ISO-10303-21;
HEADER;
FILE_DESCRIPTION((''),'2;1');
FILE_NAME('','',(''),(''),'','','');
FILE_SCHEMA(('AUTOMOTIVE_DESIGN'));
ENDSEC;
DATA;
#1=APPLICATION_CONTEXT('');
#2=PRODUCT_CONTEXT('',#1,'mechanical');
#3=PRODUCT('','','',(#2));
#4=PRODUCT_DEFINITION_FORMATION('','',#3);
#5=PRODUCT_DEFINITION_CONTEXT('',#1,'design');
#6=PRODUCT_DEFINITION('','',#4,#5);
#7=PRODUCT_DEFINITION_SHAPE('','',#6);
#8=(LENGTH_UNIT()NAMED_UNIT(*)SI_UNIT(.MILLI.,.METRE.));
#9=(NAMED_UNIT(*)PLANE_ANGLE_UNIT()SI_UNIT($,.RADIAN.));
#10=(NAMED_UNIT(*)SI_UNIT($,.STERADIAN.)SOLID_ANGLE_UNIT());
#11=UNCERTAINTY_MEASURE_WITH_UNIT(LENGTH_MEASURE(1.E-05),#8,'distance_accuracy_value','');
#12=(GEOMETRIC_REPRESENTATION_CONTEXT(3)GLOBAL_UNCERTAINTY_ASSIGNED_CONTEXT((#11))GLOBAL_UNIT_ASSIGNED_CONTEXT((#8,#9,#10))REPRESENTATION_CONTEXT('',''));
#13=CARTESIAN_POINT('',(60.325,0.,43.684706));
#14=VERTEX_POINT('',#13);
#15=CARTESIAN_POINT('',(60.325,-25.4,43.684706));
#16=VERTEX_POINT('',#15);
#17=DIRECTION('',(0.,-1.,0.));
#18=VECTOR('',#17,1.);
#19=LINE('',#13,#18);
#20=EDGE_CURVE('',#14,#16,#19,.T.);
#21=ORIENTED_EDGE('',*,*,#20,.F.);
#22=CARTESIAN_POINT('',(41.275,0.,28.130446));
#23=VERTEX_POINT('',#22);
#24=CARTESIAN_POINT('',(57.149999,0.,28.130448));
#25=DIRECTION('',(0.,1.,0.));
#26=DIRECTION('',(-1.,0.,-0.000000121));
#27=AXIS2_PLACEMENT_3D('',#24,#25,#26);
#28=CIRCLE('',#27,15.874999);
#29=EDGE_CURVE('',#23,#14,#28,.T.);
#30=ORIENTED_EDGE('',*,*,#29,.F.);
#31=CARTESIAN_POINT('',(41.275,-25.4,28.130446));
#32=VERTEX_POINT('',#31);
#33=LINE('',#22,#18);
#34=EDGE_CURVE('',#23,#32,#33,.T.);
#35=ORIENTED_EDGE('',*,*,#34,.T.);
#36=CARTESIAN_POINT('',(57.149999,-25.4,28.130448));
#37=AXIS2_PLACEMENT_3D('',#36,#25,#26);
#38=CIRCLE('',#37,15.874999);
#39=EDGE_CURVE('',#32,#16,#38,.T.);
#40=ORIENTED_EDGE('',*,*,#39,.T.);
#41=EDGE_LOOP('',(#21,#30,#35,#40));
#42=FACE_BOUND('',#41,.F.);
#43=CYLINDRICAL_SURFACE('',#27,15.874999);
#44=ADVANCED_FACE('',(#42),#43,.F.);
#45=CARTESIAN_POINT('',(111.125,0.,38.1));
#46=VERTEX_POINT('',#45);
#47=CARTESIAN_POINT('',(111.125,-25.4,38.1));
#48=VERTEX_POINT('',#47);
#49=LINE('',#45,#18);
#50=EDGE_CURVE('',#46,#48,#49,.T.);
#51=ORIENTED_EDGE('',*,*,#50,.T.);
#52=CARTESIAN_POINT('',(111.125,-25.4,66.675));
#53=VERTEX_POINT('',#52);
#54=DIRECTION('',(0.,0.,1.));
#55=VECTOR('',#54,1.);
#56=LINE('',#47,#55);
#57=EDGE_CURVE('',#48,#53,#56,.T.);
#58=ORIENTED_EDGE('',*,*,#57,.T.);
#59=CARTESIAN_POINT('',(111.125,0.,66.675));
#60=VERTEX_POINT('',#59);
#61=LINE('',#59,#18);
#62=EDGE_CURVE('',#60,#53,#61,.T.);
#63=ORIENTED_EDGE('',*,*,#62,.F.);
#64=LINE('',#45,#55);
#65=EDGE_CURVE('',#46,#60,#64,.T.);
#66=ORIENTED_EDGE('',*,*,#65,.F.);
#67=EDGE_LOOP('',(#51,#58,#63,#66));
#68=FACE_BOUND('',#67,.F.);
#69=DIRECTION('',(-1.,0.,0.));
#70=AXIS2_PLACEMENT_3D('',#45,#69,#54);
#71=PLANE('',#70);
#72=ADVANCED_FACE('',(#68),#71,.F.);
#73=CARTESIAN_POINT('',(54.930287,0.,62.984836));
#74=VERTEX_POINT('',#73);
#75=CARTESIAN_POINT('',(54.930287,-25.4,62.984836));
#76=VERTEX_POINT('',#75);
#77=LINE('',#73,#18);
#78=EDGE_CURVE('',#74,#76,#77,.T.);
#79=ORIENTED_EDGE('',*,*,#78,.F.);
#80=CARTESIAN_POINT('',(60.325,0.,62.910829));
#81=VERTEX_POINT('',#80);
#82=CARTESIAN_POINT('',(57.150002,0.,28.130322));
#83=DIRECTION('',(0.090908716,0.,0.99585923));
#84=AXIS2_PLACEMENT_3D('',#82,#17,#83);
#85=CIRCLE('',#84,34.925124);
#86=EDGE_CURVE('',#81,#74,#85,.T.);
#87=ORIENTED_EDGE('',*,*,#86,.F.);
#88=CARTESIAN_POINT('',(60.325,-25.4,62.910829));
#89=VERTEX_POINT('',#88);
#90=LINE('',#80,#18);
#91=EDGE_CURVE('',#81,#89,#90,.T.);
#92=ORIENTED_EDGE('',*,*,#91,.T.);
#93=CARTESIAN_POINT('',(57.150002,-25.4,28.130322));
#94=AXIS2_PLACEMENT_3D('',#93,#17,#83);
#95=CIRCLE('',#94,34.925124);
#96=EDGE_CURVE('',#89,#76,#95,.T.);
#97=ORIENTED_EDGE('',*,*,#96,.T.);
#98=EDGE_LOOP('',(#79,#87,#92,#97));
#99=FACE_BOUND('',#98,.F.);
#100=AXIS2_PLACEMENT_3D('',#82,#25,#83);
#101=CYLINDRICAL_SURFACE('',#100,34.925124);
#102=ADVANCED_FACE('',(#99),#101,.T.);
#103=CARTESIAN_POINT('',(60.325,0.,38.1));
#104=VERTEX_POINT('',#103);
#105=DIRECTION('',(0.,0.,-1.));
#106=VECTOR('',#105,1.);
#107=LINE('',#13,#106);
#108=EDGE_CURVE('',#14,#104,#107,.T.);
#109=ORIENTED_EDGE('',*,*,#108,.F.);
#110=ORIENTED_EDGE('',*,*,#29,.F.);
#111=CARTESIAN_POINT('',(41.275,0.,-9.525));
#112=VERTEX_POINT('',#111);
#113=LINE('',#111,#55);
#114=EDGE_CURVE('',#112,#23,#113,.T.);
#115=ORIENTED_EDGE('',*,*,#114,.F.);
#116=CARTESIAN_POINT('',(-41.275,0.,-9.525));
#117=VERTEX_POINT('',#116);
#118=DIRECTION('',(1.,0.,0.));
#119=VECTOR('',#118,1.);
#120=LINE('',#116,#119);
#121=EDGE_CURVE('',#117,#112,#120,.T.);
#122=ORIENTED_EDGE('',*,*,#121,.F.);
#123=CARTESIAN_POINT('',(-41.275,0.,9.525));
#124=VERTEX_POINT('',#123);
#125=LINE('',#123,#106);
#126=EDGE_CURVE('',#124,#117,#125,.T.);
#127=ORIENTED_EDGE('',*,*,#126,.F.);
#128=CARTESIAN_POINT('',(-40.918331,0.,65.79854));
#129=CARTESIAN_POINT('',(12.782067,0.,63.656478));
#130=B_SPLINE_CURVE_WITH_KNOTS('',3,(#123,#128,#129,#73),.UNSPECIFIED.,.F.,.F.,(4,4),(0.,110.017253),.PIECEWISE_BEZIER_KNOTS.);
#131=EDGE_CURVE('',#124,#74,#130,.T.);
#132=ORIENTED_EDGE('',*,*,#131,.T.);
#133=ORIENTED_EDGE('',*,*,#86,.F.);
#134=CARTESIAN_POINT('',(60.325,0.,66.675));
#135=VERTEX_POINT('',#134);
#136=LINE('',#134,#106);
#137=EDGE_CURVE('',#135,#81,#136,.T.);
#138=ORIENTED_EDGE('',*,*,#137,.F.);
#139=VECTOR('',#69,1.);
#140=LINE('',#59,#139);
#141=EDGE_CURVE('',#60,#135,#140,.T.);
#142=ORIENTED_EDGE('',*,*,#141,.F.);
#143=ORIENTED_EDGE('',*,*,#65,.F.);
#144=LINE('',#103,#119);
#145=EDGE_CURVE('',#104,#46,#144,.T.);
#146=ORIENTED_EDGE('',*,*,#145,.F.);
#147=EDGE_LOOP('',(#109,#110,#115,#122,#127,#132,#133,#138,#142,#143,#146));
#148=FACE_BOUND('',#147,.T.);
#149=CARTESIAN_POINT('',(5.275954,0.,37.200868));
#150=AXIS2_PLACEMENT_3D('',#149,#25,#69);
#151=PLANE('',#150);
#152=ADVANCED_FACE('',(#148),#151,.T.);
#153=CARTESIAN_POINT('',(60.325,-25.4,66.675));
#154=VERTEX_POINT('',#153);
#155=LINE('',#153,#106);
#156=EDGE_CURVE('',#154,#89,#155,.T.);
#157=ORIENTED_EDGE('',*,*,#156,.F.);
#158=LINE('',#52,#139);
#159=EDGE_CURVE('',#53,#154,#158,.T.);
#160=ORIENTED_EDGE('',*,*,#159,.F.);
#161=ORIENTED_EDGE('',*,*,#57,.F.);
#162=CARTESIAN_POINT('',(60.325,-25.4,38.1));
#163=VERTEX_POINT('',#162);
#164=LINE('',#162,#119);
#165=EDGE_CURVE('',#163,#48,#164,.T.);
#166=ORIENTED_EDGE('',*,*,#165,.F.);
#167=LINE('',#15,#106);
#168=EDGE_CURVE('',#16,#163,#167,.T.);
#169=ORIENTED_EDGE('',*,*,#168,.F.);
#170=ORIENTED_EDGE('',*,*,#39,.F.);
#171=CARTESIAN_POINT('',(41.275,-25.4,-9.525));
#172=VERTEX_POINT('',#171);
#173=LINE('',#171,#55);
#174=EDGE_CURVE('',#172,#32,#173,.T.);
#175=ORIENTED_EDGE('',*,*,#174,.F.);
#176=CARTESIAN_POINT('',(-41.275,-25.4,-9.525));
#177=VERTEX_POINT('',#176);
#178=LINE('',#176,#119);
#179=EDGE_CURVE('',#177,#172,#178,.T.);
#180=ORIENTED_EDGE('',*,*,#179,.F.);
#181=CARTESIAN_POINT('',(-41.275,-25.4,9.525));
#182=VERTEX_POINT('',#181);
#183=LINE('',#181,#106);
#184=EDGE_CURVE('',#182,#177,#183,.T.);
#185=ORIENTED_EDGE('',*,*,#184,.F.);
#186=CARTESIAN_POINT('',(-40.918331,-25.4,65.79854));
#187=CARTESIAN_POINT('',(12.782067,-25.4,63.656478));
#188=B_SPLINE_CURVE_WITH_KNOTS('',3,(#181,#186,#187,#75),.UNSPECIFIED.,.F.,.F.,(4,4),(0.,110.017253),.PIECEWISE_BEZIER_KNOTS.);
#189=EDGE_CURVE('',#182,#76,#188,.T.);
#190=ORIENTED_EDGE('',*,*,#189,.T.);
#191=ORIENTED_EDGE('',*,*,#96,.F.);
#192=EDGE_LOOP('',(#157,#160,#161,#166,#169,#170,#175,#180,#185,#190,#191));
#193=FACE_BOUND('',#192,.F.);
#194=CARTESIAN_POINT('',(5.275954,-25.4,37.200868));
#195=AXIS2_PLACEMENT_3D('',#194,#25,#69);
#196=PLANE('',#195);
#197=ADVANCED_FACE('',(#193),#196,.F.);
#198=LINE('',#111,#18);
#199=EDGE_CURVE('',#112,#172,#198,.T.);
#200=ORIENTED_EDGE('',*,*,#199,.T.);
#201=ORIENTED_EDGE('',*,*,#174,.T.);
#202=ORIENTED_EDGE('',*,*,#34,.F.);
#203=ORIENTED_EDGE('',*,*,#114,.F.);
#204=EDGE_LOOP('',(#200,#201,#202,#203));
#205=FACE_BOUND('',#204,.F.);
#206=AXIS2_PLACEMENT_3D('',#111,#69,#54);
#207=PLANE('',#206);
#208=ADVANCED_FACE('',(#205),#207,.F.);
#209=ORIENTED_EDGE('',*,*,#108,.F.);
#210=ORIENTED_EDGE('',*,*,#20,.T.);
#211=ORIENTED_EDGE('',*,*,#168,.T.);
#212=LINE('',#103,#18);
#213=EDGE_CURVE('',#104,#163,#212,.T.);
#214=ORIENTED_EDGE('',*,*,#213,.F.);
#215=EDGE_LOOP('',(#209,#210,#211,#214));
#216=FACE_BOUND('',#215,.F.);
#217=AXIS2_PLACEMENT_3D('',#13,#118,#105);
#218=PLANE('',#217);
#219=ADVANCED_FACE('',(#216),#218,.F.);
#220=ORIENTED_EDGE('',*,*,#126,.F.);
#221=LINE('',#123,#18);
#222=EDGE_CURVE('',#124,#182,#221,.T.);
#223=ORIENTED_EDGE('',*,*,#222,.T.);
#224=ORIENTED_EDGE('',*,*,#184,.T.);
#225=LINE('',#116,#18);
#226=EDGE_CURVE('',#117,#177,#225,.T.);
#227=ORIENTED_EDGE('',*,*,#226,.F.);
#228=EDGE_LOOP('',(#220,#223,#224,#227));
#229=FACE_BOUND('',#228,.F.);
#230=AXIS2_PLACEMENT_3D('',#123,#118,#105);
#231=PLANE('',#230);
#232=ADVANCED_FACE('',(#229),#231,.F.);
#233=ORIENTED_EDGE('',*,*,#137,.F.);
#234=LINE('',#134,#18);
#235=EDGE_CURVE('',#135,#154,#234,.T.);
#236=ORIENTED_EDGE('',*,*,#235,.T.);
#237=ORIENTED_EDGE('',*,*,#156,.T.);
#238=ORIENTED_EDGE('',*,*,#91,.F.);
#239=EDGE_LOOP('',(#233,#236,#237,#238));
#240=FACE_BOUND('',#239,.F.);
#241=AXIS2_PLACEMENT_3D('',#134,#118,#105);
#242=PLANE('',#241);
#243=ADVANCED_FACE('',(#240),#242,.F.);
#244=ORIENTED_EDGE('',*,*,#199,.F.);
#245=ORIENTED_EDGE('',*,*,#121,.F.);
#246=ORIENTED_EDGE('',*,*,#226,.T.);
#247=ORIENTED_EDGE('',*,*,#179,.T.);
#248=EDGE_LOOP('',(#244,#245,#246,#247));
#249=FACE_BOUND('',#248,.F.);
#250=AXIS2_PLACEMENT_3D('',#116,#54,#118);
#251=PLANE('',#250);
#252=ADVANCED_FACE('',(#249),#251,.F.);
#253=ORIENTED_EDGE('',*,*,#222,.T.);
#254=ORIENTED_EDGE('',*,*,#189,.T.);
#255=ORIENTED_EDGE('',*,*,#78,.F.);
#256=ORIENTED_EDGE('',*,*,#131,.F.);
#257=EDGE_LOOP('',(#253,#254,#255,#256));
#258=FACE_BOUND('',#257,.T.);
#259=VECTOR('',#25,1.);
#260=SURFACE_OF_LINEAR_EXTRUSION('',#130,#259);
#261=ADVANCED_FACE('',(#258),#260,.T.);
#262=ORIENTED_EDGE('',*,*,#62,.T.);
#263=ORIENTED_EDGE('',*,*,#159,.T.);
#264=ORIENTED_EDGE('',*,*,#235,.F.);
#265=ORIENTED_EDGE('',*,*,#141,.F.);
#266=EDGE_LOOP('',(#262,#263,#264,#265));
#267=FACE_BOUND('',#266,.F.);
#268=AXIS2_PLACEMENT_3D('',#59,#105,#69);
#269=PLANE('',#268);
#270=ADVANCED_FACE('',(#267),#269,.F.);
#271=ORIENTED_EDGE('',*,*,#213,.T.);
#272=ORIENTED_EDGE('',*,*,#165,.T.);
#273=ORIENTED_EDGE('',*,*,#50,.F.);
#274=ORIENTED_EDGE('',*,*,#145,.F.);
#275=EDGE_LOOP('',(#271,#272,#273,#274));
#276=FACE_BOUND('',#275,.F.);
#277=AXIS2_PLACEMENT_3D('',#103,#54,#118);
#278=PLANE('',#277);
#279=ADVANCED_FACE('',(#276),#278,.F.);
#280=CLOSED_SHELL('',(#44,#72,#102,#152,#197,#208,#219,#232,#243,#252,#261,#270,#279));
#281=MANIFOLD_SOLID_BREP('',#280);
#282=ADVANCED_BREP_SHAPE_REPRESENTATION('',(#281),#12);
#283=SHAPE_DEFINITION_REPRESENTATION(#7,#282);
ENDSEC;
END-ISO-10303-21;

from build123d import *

# Parameters (mm, degrees)
F1_DEPTH = 25.4


with BuildPart() as f1:
    # F0 (on Front) → F1 (new body)
    with BuildSketch(Plane.XZ):
        with BuildLine():
            add(Edge.make_bspline(
                [(-41.275, 9.525), (-40.918331, 65.79854), (12.782067, 63.656478), (54.930287, 62.984836)],
                knots=[0, 0, 0, 0, 110.017253, 110.017253, 110.017253, 110.017253], degree=3))
            Line((-41.275, 9.525), (22.225, 9.525))
            Line((22.225, 9.525), (22.225, 28.130446))
            ThreePointArc((22.225, 28.130446), (31.681597, 52.028481), (54.930287, 62.984836))
        make_face()
        Polygon((22.225, 9.525), (-41.275, 9.525), (-41.275, -9.525), (41.275, -9.525), (41.275, 9.525), align=None)
        with BuildLine():
            Line((22.225, 28.130446), (22.225, 9.525))
            Line((22.225, 9.525), (41.275, 9.525))
            Line((41.275, 9.525), (41.275, 28.130446))
            ThreePointArc((41.275, 28.130446), (47.109768, 40.427169), (60.325, 43.684706))
            Line((60.325, 43.684706), (60.325, 62.910829))
            add(Edge.make_bspline(
                [(54.930287, 62.984836), (56.751848, 62.955809), (58.551832, 62.929529), (60.325, 62.910829)],
                knots=[110.017253, 110.017253, 110.017253, 110.017253, 114.771977, 114.771977, 114.771977, 114.771977], degree=3))
            ThreePointArc((54.930287, 62.984836), (31.681597, 52.028481), (22.225, 28.130446))
        make_face()
        with BuildLine():
            ThreePointArc((60.325, 62.910829), (57.629075, 63.05216), (54.930287, 62.984836))
            add(Edge.make_bspline(
                [(54.930287, 62.984836), (56.751848, 62.955809), (58.551832, 62.929529), (60.325, 62.910829)],
                knots=[110.017253, 110.017253, 110.017253, 110.017253, 114.771977, 114.771977, 114.771977, 114.771977], degree=3))
        make_face()
        Polygon((85.720036, 62.910829), (60.325, 62.910829), (60.325, 43.684706), (60.325, 38.1), (85.687317, 38.1), align=None)
        Polygon((60.325, 66.675), (60.325, 62.910829), (85.720036, 62.910829), (85.725, 66.675), align=None)
        Polygon((85.725, 66.675), (85.720036, 62.910829), (85.687317, 38.1), (111.125, 38.1), (111.125, 66.675), align=None)
    extrude(amount=F1_DEPTH)


solid = f1.part
